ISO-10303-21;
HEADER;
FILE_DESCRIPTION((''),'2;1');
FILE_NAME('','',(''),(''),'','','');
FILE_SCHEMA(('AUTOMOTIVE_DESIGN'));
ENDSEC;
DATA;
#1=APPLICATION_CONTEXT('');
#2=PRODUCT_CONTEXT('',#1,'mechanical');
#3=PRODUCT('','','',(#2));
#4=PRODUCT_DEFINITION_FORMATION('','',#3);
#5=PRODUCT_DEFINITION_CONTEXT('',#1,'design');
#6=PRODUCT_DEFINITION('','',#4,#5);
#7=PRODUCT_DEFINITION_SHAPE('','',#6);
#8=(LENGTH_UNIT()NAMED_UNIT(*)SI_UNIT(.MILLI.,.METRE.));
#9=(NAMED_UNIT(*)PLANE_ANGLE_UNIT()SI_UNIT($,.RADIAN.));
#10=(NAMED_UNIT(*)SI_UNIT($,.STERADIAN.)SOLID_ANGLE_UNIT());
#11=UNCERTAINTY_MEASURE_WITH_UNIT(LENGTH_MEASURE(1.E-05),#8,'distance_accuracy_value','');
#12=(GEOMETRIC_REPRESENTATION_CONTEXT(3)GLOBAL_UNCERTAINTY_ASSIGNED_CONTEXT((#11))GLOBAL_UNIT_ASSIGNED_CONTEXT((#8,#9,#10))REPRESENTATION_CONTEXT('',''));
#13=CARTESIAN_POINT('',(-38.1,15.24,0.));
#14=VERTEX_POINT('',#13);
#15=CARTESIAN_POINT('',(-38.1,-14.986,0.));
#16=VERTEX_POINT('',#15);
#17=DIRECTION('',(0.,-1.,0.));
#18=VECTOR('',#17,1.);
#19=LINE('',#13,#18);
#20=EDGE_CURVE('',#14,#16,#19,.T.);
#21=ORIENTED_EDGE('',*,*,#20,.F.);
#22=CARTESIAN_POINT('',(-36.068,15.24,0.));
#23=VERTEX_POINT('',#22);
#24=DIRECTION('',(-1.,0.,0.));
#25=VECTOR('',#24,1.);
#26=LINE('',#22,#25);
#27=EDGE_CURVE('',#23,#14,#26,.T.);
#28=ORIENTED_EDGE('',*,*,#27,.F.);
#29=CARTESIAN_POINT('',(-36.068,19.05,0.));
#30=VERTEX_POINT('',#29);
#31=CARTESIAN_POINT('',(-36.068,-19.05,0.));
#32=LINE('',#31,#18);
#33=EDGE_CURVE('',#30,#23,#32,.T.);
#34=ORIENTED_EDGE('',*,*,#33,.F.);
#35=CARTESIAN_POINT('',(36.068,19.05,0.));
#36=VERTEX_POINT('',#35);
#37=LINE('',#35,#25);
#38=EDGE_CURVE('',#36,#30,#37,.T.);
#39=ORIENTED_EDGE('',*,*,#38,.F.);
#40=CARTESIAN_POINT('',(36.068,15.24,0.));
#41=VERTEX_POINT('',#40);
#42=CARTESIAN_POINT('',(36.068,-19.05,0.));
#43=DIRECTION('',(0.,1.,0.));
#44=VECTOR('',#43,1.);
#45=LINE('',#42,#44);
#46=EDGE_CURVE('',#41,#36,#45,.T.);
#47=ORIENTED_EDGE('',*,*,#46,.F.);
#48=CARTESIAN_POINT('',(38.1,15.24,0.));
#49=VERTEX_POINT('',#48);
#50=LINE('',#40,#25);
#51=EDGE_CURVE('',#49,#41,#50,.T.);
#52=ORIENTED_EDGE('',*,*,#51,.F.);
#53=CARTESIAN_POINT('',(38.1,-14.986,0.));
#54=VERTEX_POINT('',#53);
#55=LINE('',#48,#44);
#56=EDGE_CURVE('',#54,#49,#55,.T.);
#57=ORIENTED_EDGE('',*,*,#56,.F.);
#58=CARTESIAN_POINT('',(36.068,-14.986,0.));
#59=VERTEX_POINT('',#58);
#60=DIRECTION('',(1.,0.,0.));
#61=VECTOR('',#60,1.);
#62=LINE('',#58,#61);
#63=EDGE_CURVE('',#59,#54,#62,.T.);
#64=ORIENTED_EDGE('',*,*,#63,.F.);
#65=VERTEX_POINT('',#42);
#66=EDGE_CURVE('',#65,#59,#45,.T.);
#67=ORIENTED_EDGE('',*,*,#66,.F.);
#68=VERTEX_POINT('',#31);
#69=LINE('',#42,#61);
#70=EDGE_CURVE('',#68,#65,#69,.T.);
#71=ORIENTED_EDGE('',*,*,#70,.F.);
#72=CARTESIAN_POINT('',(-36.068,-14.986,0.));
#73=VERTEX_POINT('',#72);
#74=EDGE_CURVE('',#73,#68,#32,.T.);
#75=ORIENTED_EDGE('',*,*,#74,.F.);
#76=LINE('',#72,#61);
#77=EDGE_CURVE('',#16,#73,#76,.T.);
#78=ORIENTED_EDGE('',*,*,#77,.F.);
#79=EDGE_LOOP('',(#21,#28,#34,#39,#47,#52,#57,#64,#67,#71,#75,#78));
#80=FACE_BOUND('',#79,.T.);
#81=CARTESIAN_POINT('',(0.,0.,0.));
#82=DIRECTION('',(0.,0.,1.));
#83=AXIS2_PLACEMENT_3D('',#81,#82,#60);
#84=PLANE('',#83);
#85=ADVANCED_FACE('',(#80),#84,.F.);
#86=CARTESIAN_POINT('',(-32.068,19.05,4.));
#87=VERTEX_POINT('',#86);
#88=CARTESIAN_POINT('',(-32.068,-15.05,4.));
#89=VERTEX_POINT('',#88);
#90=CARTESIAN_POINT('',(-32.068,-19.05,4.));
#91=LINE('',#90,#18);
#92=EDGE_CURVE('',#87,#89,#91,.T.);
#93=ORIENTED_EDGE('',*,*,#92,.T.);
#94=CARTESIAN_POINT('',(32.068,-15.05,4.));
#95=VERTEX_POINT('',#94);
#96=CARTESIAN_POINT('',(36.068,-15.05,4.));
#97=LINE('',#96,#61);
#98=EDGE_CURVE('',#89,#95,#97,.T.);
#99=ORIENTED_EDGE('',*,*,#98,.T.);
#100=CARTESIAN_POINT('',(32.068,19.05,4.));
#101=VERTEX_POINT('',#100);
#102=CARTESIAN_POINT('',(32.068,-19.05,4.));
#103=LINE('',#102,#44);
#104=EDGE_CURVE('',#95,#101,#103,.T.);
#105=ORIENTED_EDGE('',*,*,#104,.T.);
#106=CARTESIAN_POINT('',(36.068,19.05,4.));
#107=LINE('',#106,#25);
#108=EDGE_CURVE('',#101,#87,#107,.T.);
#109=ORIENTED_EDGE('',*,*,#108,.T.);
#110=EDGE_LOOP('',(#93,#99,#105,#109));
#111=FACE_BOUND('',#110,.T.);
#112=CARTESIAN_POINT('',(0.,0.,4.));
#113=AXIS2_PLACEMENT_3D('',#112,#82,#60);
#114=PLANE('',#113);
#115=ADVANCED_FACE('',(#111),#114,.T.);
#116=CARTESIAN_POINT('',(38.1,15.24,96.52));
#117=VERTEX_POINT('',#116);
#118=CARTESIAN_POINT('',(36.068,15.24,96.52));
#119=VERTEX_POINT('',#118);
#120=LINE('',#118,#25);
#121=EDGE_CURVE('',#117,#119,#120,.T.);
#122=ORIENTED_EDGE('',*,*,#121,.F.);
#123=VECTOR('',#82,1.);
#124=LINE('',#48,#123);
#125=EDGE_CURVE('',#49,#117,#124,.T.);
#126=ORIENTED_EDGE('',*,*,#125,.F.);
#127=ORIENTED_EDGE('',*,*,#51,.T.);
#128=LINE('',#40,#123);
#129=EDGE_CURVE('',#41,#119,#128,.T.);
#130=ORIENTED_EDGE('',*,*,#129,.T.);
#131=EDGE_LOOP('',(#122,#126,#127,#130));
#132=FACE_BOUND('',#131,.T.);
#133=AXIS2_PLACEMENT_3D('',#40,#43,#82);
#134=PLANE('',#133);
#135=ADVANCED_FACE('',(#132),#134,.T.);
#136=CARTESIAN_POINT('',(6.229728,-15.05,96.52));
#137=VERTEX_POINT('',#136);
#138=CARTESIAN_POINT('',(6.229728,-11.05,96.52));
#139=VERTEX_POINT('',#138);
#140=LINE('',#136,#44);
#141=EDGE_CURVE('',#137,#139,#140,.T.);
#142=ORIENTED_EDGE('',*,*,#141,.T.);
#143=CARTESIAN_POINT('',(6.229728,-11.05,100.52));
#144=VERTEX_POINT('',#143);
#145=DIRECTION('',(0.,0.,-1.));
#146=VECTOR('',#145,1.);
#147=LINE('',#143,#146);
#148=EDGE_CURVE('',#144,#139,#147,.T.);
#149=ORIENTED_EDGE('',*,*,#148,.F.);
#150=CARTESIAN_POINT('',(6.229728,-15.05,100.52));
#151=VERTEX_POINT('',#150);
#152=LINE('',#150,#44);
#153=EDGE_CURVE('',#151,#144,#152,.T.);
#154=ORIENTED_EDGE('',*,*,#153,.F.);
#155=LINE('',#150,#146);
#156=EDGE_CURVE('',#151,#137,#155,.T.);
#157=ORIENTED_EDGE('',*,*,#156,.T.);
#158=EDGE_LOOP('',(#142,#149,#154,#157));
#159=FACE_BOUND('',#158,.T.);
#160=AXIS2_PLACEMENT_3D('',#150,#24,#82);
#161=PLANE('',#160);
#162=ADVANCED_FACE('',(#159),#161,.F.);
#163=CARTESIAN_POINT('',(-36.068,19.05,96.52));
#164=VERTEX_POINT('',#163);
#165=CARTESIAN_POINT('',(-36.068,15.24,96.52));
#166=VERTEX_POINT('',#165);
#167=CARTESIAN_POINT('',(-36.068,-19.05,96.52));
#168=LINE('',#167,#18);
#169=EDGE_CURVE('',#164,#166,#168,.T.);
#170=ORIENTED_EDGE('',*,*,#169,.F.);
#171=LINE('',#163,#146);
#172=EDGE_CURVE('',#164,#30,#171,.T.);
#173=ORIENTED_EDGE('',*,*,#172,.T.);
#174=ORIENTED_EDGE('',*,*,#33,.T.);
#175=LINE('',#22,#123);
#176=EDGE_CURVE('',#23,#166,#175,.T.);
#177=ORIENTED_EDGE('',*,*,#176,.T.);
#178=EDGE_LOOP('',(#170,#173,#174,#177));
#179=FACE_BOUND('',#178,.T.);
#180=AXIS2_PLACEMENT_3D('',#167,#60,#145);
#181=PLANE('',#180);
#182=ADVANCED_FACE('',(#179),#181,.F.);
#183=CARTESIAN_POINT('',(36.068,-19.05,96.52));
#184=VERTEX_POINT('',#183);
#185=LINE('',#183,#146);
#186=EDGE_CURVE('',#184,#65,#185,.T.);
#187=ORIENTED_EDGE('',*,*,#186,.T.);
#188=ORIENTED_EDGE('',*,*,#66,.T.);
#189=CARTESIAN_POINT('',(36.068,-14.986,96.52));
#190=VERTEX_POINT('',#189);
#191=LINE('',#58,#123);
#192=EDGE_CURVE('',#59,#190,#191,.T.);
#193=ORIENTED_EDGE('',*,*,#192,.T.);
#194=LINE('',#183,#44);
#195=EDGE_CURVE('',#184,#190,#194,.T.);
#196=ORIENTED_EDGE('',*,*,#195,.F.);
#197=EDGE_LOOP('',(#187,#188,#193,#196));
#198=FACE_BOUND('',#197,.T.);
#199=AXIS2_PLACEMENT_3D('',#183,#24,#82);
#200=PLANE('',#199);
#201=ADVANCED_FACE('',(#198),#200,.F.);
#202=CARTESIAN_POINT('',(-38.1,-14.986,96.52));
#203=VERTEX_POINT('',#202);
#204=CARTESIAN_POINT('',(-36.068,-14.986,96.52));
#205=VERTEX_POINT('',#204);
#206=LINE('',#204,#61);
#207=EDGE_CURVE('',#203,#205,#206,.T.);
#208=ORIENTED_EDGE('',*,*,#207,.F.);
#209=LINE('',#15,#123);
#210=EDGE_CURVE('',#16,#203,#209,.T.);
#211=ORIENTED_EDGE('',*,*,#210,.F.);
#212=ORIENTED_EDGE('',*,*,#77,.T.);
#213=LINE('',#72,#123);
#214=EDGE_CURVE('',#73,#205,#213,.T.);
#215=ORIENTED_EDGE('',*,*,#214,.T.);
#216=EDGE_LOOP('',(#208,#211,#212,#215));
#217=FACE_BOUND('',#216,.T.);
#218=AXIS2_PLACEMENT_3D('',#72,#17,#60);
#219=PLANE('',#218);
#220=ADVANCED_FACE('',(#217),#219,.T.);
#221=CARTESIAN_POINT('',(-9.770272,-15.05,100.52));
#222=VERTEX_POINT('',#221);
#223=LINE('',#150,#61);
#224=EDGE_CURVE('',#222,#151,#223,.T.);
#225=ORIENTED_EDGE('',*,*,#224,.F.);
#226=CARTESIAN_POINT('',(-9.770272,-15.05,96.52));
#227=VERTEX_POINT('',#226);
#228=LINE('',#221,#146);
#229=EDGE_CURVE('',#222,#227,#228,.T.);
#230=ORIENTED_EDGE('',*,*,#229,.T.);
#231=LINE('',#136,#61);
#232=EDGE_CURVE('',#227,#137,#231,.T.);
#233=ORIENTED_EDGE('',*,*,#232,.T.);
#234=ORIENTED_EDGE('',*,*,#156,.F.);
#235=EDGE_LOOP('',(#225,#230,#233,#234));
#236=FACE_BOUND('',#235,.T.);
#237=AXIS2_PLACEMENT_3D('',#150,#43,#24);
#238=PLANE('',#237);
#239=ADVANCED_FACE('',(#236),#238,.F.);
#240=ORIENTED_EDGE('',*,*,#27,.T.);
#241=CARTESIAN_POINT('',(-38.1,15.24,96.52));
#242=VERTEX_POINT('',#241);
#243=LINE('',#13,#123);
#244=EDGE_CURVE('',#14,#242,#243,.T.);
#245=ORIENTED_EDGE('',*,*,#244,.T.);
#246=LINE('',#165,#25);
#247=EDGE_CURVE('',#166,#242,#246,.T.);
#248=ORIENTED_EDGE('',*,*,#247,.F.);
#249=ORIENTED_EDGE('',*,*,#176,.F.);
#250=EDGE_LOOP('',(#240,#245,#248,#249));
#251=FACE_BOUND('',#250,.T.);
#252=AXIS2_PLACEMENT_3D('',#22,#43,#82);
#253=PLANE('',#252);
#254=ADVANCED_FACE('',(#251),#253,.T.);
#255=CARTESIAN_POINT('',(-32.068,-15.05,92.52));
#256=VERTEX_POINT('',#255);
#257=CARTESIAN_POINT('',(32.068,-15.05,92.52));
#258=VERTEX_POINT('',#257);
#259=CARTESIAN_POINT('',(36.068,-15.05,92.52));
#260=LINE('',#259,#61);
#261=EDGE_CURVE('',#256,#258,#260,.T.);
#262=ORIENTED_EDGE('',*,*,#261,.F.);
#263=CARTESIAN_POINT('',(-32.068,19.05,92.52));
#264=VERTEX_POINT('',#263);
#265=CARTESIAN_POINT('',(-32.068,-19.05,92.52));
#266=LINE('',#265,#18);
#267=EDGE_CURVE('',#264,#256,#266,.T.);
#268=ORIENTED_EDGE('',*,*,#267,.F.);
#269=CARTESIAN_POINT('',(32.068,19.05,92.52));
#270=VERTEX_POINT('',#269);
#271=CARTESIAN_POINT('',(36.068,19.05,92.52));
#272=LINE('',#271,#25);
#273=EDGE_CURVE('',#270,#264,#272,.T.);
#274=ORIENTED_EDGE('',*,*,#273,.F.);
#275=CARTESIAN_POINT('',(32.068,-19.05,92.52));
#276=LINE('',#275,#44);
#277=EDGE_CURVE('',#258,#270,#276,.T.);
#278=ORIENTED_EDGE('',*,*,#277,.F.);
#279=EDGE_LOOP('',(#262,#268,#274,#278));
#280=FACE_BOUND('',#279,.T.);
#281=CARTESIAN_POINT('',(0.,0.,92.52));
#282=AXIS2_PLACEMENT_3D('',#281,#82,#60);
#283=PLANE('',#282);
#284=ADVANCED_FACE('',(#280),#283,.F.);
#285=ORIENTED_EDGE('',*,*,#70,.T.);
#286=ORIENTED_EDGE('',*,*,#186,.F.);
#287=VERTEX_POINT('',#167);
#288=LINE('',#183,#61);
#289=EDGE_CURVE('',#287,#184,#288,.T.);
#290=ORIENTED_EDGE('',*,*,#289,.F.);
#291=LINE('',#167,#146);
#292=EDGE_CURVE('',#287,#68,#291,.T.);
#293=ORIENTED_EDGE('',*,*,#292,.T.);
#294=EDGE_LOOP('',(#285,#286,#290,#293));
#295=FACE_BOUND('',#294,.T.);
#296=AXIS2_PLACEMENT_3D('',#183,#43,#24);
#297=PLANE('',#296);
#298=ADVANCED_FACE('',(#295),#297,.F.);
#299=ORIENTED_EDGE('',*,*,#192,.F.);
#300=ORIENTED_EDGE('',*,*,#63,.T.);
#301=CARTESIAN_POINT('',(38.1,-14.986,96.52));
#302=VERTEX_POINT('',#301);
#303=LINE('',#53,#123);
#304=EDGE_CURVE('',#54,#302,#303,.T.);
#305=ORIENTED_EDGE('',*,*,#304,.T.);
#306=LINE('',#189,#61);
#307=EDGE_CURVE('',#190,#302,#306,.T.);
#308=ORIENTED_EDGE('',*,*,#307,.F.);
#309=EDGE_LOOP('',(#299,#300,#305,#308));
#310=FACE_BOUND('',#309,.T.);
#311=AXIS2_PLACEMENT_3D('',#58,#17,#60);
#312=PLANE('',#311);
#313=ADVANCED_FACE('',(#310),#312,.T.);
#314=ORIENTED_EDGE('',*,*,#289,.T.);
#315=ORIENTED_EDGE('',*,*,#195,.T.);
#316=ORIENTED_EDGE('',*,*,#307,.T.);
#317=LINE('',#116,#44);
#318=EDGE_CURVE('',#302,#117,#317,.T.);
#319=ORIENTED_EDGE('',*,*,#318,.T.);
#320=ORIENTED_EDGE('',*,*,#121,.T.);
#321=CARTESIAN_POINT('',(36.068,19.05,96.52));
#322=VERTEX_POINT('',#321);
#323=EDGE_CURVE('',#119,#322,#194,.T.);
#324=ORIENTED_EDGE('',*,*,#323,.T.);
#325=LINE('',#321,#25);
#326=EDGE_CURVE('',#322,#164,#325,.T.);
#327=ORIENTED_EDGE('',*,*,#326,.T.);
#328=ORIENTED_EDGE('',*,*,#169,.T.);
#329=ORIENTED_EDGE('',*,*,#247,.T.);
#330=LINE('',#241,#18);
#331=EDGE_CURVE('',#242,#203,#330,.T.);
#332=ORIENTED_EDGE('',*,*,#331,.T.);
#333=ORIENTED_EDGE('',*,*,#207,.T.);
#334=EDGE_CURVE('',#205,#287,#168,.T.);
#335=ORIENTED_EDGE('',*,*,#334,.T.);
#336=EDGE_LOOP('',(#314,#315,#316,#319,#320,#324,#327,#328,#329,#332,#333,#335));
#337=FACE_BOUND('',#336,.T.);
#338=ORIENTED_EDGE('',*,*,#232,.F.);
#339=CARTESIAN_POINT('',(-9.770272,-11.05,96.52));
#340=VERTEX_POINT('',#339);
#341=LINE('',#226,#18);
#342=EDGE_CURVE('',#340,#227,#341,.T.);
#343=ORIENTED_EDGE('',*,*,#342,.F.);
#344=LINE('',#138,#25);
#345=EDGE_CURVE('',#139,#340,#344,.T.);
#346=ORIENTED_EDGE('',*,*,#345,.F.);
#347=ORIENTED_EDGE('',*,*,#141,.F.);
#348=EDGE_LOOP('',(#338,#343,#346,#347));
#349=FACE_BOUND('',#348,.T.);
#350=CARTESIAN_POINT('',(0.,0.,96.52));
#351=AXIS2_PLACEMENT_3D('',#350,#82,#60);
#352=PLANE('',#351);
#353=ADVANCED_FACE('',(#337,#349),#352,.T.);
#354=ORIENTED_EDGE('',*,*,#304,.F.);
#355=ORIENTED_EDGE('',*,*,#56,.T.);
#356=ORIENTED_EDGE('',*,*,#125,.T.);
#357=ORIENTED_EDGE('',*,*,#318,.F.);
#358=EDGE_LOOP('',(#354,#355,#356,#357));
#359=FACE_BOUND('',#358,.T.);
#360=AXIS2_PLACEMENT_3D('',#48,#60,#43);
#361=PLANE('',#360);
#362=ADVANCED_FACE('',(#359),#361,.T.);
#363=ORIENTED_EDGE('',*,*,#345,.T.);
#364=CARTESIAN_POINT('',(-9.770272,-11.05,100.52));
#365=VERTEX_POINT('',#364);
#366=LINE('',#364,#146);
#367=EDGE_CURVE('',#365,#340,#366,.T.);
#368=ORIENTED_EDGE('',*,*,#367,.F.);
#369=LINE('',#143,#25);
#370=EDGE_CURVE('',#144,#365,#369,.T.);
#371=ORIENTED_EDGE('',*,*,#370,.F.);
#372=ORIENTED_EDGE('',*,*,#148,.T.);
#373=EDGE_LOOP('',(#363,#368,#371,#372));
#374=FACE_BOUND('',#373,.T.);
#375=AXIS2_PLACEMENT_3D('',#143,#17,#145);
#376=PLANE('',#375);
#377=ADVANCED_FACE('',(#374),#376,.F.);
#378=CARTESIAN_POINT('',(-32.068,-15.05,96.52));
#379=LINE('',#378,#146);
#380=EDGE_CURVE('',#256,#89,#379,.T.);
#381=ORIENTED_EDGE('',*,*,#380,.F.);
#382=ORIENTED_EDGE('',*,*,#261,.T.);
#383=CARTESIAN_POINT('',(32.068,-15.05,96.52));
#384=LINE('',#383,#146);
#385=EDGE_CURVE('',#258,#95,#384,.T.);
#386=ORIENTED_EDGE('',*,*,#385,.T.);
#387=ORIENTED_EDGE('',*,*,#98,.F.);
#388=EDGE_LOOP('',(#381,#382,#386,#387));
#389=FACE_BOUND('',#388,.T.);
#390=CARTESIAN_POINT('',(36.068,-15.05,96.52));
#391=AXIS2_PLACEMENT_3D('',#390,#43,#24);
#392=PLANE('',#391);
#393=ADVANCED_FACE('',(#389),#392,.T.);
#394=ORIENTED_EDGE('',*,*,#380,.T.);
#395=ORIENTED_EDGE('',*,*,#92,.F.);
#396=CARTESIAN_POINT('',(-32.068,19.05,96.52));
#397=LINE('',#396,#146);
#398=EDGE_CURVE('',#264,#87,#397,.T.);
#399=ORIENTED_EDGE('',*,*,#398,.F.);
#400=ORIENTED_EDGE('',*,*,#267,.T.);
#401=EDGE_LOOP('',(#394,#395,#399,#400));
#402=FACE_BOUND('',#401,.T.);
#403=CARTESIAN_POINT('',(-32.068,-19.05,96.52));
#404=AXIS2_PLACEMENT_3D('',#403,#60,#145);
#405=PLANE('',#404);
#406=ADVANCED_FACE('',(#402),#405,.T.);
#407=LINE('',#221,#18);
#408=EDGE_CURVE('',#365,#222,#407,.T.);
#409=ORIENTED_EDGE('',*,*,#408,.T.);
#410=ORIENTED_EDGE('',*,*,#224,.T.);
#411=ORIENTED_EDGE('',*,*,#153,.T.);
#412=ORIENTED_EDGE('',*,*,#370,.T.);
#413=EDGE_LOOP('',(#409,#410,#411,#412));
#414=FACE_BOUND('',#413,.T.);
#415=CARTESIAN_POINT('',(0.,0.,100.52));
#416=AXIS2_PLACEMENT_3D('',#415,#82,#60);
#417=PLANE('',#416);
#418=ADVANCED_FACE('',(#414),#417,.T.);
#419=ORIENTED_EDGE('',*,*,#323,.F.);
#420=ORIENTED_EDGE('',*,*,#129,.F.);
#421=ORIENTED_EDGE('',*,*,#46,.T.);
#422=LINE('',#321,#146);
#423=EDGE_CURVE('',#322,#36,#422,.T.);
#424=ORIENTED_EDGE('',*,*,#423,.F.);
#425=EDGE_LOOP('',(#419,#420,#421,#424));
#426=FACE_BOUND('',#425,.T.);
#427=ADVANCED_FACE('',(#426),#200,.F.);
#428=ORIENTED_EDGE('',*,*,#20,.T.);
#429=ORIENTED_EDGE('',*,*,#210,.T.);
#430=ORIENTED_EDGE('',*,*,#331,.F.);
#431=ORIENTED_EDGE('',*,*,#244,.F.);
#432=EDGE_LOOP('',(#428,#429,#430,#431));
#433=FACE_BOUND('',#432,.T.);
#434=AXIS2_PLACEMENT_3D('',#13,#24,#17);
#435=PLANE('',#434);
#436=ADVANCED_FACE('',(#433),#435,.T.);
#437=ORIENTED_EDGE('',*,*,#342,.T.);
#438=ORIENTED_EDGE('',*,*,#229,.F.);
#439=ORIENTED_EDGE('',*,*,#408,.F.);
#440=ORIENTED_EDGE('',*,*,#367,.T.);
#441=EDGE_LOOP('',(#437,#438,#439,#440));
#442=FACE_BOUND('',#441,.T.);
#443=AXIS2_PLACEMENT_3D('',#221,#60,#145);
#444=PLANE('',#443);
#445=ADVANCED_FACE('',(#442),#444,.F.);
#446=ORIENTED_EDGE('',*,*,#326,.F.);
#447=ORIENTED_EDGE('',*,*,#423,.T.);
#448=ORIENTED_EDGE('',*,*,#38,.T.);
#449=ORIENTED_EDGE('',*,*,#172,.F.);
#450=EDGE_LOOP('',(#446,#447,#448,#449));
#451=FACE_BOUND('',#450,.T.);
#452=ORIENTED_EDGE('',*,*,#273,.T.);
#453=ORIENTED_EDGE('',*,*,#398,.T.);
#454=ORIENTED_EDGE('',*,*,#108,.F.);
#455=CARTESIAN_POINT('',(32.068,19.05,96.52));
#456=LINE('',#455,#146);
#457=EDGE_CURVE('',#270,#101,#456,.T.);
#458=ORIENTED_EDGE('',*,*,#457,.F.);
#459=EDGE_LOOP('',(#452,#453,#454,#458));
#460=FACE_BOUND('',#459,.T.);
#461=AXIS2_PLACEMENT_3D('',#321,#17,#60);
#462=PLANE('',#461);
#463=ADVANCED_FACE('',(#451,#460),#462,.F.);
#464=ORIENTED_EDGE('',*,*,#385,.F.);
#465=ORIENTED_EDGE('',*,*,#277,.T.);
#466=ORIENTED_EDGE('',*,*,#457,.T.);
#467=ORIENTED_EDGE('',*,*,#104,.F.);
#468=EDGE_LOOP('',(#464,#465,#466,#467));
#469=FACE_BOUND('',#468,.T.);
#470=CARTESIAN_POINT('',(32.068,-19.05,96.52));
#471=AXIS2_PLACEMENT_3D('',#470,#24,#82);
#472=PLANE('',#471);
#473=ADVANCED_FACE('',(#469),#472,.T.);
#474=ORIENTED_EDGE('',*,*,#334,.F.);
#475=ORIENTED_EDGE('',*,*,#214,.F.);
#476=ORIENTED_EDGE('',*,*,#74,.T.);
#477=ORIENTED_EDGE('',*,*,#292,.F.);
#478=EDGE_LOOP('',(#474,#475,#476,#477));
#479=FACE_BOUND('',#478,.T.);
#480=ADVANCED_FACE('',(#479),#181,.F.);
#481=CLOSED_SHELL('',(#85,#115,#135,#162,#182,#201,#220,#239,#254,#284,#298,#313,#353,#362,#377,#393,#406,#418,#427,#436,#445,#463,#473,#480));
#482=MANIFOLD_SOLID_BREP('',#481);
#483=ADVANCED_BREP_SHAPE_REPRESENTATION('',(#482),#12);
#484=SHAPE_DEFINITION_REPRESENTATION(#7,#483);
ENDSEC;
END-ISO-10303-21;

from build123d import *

# Parameters (mm, degrees)
CROQUIS1_W              = 72.136
CROQUIS1_H              = 38.1
SALIENTE_EXTRUIR1_DEPTH = 96.52
VACIADO1_T              = -4
CROQUIS2_W              = 2.032
CROQUIS2_H              = 30.226
SALIENTE_EXTRUIR2_DEPTH = 96.52
CROQUIS3_W              = 16
CROQUIS3_H              = 4
SALIENTE_EXTRUIR3_DEPTH = 4


with BuildPart() as part:
    # Croquis1 → Saliente-Extruir1 (new body)
    with BuildSketch(Plane.XY):
        Rectangle(CROQUIS1_W, CROQUIS1_H)
    extrude(amount=SALIENTE_EXTRUIR1_DEPTH)

    # Vaciado1
    vaciado1_openings = [part.faces().sort_by_distance(p)[0] for p in [
        (0, 19.05, 48.26),
    ]]
    offset(amount=VACIADO1_T, openings=vaciado1_openings, kind=Kind.INTERSECTION)

    # Croquis2 → Saliente-Extruir2 (add)
    with BuildSketch(Plane.XY.offset(96.52)):
        with Locations((-37.084, 0.127)):
            Rectangle(CROQUIS2_W, CROQUIS2_H)
        with Locations((37.084, 0.127)):
            Rectangle(CROQUIS2_W, CROQUIS2_H)
    extrude(amount=-SALIENTE_EXTRUIR2_DEPTH)

    # Croquis3 → Saliente-Extruir3 (add)
    with BuildSketch(Plane.XY.offset(96.52)):
        with Locations((-1.770271924, -13.05)):
            Rectangle(CROQUIS3_W, CROQUIS3_H)
    extrude(amount=SALIENTE_EXTRUIR3_DEPTH)


solid = part.part
